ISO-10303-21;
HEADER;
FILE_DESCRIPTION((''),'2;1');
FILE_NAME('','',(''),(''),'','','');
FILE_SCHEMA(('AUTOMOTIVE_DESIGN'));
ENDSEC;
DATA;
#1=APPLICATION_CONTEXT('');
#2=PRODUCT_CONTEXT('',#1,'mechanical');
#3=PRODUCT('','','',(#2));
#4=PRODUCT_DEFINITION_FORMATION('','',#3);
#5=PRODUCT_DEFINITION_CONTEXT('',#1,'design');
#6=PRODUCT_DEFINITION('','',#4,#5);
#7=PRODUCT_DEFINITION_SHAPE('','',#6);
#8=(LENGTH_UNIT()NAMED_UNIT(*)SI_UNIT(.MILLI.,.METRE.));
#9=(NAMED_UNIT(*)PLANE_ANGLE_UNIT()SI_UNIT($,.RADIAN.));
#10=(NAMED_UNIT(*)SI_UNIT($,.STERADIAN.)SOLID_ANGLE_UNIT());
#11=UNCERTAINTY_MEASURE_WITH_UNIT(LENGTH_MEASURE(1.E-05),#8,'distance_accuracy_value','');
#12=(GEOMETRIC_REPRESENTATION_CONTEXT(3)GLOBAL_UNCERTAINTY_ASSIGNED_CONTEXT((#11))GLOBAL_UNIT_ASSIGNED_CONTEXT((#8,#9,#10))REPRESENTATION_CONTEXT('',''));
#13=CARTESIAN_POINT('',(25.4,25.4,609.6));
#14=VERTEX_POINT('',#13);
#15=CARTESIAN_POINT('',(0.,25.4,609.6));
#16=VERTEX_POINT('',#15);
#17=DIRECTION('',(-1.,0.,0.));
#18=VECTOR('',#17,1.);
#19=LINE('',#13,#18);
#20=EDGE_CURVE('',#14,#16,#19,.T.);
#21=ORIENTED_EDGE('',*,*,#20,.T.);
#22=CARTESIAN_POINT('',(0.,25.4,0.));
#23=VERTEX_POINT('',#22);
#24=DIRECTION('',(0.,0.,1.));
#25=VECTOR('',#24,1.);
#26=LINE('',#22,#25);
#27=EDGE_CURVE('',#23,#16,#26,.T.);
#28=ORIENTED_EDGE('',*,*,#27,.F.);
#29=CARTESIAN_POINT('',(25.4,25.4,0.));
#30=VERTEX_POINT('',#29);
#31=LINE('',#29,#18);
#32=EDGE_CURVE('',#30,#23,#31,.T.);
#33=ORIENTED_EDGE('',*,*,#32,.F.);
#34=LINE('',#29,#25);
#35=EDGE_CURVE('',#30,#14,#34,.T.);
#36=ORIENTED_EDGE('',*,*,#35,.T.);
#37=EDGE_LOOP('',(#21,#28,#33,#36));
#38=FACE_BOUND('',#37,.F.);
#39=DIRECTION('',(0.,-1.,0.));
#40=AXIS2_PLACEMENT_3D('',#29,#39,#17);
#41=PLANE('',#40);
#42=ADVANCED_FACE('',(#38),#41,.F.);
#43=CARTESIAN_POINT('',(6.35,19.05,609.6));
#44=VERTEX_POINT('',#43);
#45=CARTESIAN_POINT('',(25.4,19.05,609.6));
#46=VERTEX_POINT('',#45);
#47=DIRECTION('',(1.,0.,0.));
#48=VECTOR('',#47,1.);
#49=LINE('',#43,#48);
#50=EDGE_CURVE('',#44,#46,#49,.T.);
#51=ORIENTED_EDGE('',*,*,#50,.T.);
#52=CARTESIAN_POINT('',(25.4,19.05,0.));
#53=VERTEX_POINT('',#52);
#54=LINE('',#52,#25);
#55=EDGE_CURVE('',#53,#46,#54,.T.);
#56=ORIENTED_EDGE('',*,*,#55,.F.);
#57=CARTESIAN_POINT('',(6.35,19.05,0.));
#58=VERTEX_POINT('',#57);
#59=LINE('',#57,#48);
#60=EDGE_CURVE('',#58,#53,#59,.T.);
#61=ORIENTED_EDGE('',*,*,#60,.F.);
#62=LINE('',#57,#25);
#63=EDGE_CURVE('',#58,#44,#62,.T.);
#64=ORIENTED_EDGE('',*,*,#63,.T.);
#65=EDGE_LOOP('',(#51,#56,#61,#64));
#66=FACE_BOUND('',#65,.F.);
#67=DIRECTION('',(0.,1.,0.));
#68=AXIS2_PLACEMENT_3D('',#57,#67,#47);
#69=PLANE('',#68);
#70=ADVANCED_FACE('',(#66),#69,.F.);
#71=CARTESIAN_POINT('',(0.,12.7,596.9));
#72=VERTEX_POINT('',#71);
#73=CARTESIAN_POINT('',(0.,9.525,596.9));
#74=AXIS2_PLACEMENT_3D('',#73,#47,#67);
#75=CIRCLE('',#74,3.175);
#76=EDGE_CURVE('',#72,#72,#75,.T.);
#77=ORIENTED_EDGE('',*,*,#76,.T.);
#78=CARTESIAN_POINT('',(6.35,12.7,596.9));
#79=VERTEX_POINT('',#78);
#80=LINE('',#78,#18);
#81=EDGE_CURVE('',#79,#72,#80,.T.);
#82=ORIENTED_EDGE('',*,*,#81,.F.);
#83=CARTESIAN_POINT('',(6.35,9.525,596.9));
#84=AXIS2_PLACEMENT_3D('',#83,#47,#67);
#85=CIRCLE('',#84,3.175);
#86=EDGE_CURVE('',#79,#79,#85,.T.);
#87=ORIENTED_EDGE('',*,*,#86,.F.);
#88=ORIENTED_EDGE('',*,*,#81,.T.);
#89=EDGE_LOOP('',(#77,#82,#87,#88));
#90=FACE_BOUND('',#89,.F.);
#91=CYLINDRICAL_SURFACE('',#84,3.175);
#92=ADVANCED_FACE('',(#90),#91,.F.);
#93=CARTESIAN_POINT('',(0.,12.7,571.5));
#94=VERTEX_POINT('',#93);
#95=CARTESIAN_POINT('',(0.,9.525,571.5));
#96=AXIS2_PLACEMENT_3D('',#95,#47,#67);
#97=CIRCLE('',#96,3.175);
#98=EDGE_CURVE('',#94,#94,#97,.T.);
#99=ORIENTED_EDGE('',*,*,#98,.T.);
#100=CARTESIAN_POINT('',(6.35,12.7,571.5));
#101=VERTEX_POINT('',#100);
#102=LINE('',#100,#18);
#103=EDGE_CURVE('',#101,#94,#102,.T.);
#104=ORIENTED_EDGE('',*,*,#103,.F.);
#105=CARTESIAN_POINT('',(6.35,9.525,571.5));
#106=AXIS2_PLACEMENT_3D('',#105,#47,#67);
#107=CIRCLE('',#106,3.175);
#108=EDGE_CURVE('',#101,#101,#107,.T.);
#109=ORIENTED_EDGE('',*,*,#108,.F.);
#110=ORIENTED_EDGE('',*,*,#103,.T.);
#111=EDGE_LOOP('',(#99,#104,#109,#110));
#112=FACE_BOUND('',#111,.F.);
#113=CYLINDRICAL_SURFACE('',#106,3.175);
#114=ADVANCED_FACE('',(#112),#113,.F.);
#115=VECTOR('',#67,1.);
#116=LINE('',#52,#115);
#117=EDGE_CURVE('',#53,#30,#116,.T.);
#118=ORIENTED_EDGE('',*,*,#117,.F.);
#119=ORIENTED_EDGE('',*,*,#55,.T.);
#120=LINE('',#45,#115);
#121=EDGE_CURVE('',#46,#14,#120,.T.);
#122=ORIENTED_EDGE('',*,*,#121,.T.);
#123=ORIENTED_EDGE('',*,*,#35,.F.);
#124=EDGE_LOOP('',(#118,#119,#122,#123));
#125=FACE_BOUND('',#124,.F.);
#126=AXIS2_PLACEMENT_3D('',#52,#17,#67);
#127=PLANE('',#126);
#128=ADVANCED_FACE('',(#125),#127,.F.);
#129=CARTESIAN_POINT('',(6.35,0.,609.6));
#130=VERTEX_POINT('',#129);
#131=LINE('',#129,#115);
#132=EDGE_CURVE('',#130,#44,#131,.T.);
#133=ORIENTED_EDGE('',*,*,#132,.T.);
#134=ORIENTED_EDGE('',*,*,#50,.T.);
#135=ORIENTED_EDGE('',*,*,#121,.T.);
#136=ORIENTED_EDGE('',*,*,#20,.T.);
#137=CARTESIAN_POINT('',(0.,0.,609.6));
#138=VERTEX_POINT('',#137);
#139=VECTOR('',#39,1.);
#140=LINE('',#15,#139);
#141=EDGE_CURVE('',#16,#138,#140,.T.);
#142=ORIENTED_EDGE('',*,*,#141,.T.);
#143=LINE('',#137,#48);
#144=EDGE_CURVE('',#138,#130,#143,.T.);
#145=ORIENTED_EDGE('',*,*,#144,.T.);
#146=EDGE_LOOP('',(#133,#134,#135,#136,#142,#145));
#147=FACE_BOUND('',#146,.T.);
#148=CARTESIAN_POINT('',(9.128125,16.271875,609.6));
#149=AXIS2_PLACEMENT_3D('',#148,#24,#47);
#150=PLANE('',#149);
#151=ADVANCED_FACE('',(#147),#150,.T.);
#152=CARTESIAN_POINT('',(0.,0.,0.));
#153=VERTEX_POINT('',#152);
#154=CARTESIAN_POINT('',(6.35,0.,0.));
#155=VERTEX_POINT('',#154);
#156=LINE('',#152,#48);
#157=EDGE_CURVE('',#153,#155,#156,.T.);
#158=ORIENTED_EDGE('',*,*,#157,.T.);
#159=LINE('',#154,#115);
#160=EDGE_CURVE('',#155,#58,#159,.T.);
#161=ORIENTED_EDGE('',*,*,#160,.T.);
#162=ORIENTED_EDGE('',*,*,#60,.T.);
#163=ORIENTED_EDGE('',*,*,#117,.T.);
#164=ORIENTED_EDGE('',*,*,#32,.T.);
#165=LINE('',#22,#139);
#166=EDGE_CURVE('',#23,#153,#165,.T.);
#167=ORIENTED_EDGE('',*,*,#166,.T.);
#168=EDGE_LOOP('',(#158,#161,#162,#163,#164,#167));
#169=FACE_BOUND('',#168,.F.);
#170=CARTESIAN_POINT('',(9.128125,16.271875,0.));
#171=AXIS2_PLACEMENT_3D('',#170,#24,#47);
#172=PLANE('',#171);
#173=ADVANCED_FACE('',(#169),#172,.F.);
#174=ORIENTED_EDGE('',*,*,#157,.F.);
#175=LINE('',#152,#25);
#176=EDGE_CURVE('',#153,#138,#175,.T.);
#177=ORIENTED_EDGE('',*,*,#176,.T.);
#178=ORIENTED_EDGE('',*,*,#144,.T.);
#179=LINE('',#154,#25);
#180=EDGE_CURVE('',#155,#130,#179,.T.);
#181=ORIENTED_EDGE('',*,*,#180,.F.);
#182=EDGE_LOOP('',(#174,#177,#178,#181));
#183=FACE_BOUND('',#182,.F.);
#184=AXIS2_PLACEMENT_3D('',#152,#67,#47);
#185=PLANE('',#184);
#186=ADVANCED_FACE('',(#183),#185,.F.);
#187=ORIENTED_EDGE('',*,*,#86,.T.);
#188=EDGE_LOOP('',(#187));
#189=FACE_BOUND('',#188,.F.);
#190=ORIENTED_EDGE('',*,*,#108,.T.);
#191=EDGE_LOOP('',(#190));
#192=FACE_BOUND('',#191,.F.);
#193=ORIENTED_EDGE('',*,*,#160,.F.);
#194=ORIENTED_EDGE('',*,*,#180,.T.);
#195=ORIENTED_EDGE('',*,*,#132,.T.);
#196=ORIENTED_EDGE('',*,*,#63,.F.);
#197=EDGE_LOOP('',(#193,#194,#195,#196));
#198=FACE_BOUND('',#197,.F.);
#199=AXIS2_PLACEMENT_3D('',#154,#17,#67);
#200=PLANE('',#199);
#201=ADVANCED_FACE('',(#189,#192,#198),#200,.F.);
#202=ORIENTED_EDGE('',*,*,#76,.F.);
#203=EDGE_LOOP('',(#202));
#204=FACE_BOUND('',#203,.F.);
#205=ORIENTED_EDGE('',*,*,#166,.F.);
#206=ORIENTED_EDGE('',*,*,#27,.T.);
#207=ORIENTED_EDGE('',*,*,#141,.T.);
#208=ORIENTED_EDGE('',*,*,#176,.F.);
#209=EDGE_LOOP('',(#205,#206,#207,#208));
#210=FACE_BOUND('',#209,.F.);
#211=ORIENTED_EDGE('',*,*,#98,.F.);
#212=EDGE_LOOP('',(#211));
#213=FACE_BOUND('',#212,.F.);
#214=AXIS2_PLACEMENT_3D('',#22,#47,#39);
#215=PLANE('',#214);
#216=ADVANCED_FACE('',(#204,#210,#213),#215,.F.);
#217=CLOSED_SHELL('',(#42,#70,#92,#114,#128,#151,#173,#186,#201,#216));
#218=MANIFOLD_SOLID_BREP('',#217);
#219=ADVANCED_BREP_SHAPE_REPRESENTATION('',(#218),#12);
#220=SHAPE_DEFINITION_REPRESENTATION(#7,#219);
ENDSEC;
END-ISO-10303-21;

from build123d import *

# Parameters (mm, degrees)
F1_DEPTH = 609.6
F2_R     = 3.175
F3_DEPTH = 25.4


with BuildPart() as f1:
    # F0 (on Top) → F1 (new body)
    with BuildSketch(Plane.XY):
        Polygon((0, 25.4), (0, 0), (6.35, 0), (6.35, 19.05), (25.4, 19.05), (25.4, 25.4), align=None)
    extrude(amount=F1_DEPTH)

    # F2 (on face) → F3 (cut)
    with BuildSketch(Plane.YZ.offset(6.35)):
        with Locations((9.525, 596.9)):
            Circle(F2_R)
        with Locations((9.525, 571.5)):
            Circle(F2_R)
    extrude(amount=-F3_DEPTH, mode=Mode.SUBTRACT)


solid = f1.part
